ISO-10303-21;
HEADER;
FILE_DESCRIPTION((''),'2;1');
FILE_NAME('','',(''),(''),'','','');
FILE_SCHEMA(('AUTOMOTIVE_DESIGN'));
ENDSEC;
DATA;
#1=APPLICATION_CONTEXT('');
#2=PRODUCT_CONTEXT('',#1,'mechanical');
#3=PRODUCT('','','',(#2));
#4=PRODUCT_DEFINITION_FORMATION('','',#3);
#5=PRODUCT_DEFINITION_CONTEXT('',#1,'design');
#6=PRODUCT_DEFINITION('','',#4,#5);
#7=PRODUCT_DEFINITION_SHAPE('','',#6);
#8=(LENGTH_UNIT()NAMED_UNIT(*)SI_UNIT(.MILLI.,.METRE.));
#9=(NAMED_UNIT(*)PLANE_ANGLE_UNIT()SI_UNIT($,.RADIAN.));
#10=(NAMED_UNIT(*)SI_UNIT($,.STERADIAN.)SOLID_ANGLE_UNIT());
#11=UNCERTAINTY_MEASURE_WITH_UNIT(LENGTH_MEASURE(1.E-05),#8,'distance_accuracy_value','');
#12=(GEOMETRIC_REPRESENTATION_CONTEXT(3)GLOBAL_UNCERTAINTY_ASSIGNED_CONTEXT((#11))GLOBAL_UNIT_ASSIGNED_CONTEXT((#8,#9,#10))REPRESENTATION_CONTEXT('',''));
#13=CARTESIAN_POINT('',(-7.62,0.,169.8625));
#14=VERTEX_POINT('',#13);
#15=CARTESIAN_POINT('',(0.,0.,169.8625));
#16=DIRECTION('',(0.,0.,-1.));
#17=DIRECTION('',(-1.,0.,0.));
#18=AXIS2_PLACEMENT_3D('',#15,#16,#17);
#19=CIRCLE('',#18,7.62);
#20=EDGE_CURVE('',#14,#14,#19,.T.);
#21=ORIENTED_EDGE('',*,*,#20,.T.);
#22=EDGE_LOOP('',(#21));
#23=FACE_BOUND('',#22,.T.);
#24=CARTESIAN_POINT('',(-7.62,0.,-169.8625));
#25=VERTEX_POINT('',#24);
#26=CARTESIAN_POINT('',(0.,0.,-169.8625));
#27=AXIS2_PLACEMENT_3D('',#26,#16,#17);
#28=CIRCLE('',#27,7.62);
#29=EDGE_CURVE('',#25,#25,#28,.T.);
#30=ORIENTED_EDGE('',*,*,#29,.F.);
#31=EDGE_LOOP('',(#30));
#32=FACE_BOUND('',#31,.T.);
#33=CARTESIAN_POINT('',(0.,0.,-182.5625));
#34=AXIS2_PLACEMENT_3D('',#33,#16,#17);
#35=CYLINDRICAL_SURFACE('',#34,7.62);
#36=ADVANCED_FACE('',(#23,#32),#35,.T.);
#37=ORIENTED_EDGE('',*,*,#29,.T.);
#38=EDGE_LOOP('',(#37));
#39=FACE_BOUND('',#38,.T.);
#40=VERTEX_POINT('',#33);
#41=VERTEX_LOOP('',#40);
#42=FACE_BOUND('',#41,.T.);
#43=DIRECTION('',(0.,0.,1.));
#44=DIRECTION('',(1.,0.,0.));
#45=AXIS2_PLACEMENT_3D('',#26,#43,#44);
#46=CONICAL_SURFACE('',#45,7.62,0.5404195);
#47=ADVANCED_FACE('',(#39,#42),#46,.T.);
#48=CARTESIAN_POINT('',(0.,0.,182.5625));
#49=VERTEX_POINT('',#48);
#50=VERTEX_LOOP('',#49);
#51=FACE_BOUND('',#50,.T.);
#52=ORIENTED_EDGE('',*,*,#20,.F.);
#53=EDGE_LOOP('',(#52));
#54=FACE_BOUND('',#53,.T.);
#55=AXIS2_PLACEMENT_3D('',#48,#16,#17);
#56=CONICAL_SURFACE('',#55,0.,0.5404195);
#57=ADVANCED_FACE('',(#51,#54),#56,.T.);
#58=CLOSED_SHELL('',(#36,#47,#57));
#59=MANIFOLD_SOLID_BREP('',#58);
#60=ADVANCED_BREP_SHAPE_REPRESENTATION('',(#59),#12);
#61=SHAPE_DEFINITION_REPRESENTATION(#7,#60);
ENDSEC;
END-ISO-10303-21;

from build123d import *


with BuildPart() as part:
    # Sketch1 → Revolve1 (revolve)
    with BuildSketch(Plane(origin=(0, 0, 0), x_dir=(1, 0, 0), z_dir=(0, 1, 0)), mode=Mode.PRIVATE) as revolve1_sk:
        Polygon((0, 182.5625), (0, -182.5625), (7.62, -169.8625), (7.62, 169.8625), align=None)
    revolve(revolve1_sk.sketch.rotate(Axis((0, 0, -182.5625), (0, 0, 1)), 180), axis=Axis((0, 0, -182.5625), (0, 0, 1)))


solid = part.part
